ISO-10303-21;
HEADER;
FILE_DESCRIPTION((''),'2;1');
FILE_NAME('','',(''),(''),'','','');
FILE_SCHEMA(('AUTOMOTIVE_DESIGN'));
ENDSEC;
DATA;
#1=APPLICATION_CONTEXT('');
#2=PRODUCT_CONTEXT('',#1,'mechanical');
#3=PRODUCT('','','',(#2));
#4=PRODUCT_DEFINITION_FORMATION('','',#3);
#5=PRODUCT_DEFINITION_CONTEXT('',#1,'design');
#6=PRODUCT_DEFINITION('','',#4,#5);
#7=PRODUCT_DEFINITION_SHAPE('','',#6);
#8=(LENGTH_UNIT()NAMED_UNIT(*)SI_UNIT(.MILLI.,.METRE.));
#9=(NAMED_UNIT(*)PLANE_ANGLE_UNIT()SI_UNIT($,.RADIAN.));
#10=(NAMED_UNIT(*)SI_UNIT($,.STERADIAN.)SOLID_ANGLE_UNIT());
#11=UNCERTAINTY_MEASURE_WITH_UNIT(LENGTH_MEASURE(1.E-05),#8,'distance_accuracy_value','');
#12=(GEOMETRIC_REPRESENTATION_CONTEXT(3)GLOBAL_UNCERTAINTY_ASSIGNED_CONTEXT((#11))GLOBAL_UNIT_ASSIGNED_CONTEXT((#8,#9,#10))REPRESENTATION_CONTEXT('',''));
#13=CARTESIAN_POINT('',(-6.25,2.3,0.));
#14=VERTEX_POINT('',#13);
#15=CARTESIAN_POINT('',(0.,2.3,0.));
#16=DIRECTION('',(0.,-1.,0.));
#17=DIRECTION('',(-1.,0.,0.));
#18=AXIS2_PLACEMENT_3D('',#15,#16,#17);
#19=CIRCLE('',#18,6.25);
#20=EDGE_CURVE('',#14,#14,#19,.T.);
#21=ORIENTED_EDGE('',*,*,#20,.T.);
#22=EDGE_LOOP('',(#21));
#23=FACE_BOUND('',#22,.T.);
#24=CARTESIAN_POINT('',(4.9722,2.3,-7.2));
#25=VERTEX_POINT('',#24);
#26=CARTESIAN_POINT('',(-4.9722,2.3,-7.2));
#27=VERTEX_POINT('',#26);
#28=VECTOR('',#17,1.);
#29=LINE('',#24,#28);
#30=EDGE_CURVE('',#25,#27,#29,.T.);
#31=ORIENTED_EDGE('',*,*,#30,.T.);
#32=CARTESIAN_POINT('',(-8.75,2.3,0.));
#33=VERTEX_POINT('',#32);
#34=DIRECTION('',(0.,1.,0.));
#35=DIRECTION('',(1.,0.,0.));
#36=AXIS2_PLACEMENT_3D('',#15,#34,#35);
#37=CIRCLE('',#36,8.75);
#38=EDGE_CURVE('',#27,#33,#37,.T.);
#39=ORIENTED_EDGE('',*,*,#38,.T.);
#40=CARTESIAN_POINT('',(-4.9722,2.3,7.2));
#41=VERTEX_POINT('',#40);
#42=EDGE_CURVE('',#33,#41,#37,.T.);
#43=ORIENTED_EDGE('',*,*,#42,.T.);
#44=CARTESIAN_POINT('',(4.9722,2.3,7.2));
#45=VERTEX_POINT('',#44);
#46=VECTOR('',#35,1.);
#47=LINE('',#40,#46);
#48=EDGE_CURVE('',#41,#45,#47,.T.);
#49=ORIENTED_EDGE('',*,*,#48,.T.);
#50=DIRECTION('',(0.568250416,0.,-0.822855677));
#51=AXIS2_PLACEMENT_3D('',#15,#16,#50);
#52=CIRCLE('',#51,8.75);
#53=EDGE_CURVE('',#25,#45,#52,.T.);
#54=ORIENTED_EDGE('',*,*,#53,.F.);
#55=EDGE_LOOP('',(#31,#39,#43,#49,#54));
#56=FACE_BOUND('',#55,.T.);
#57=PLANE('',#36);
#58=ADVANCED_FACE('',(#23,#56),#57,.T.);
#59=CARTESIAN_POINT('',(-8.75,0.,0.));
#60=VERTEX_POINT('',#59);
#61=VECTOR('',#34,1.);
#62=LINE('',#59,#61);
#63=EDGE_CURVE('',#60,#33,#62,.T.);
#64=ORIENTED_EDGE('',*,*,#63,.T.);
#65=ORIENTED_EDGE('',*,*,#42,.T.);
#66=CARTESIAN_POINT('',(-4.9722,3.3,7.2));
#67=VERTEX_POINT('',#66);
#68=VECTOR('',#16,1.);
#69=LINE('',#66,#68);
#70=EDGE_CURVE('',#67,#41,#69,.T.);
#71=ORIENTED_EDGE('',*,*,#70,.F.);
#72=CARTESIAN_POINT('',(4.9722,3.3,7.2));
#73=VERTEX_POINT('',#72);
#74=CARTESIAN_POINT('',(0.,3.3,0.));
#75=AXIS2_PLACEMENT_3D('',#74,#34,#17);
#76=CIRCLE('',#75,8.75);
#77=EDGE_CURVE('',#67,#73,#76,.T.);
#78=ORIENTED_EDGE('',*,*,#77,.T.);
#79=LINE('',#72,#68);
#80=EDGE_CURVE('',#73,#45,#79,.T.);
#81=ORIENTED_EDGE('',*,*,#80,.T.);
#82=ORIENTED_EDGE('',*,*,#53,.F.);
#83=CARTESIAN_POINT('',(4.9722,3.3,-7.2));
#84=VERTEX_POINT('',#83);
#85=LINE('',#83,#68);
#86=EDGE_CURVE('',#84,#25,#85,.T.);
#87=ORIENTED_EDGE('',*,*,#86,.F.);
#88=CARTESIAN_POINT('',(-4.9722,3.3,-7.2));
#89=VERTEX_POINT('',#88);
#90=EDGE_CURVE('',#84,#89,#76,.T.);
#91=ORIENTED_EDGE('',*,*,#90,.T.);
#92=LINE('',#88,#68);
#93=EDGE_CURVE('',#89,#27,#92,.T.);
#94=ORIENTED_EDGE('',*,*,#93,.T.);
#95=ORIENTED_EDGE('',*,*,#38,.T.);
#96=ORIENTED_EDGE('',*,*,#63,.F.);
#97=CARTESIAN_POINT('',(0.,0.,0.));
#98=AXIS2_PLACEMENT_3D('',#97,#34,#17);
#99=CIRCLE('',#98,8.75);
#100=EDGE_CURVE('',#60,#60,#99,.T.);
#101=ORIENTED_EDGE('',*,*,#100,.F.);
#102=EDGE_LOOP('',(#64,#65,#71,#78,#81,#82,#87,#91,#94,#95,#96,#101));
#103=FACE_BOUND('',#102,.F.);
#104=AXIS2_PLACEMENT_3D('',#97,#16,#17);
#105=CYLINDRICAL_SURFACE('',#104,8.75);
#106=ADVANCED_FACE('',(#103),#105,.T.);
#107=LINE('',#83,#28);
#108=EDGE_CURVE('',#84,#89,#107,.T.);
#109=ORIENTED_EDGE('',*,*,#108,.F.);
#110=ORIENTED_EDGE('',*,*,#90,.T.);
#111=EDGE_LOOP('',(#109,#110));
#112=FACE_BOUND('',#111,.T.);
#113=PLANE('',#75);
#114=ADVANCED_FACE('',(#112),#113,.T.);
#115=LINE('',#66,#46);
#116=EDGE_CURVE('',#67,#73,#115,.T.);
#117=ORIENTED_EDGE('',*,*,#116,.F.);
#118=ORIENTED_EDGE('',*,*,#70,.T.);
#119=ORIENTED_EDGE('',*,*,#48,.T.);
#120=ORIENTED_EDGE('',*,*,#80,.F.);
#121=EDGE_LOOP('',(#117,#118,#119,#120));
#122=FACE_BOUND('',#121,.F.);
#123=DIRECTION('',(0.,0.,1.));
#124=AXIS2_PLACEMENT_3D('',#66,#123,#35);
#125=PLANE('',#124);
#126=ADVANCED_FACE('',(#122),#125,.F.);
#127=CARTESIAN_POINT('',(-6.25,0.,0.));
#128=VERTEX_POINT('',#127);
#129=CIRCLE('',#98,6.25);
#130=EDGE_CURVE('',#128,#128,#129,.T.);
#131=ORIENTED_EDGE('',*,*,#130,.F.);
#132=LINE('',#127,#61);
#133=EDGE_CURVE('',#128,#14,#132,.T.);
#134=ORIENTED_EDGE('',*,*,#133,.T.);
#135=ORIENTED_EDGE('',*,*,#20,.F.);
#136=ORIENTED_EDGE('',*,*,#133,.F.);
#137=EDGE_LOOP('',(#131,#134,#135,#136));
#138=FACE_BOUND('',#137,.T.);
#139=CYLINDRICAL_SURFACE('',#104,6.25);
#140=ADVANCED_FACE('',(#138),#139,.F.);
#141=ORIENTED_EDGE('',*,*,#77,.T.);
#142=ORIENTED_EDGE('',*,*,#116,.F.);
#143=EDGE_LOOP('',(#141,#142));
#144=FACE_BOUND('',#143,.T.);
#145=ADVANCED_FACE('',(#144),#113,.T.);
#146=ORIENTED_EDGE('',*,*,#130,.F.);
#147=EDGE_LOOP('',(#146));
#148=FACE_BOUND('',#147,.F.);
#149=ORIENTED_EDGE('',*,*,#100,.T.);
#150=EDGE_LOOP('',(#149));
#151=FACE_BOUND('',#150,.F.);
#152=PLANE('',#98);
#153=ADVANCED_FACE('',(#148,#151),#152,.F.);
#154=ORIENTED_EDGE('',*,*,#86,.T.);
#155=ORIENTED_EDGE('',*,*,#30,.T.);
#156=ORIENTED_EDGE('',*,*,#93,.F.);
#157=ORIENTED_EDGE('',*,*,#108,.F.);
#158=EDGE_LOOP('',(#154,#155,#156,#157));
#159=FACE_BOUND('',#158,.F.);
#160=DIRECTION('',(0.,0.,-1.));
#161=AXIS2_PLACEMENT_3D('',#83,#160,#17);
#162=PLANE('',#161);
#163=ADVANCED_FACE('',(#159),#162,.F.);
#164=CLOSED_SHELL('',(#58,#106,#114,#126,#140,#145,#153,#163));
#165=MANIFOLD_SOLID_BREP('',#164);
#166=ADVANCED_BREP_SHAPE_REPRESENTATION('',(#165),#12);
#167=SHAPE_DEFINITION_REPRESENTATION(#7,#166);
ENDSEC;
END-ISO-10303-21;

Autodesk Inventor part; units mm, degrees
ref_plane "YZ Plane" through (0, 0, 0) normal (1, 0, 0) x (0, 1, 0)
ref_plane "XZ Plane" through (0, 0, 0) normal (0, 1, 0) x (-1, 0, 0)
ref_plane "XY Plane" through (0, 0, 0) normal (0, 0, 1) x (1, 0, 0)
sketch "Sketch1" plane through (0, 0, 0) normal (0, 1, 0) x (-1, 0, 0)
  circle A0 centre (0, 0) radius 8.75
  circle A1 centre (0, 0) radius 6.25
  dimension "d0" = 17.5
  dimension "d1" = 12.5
extrude "Extrusion1" add sketch "Sketch1" along normal blind 3.3
sketch "Sketch2" plane through (0, 3.3, 0) normal (0, 1, 0) x (1, 0, 0)
  circle A0 centre (0, 0) radius 8.75 projected
  line L0 (-4.9722, -7.2) -> (4.9722, -7.2)
  line L1 (4.9722, 7.2) -> (-4.9722, 7.2)
  line L2 (-12.7989, 0) -> (12.7989, 0) construction
  dimension "d4" = 14.4
extrude "Extrusion2" cut sketch "Sketch2" against normal blind 1 contours A0 L0 L1
properties part number "Toggle_Collar" material "PC/ABS Plastic"
